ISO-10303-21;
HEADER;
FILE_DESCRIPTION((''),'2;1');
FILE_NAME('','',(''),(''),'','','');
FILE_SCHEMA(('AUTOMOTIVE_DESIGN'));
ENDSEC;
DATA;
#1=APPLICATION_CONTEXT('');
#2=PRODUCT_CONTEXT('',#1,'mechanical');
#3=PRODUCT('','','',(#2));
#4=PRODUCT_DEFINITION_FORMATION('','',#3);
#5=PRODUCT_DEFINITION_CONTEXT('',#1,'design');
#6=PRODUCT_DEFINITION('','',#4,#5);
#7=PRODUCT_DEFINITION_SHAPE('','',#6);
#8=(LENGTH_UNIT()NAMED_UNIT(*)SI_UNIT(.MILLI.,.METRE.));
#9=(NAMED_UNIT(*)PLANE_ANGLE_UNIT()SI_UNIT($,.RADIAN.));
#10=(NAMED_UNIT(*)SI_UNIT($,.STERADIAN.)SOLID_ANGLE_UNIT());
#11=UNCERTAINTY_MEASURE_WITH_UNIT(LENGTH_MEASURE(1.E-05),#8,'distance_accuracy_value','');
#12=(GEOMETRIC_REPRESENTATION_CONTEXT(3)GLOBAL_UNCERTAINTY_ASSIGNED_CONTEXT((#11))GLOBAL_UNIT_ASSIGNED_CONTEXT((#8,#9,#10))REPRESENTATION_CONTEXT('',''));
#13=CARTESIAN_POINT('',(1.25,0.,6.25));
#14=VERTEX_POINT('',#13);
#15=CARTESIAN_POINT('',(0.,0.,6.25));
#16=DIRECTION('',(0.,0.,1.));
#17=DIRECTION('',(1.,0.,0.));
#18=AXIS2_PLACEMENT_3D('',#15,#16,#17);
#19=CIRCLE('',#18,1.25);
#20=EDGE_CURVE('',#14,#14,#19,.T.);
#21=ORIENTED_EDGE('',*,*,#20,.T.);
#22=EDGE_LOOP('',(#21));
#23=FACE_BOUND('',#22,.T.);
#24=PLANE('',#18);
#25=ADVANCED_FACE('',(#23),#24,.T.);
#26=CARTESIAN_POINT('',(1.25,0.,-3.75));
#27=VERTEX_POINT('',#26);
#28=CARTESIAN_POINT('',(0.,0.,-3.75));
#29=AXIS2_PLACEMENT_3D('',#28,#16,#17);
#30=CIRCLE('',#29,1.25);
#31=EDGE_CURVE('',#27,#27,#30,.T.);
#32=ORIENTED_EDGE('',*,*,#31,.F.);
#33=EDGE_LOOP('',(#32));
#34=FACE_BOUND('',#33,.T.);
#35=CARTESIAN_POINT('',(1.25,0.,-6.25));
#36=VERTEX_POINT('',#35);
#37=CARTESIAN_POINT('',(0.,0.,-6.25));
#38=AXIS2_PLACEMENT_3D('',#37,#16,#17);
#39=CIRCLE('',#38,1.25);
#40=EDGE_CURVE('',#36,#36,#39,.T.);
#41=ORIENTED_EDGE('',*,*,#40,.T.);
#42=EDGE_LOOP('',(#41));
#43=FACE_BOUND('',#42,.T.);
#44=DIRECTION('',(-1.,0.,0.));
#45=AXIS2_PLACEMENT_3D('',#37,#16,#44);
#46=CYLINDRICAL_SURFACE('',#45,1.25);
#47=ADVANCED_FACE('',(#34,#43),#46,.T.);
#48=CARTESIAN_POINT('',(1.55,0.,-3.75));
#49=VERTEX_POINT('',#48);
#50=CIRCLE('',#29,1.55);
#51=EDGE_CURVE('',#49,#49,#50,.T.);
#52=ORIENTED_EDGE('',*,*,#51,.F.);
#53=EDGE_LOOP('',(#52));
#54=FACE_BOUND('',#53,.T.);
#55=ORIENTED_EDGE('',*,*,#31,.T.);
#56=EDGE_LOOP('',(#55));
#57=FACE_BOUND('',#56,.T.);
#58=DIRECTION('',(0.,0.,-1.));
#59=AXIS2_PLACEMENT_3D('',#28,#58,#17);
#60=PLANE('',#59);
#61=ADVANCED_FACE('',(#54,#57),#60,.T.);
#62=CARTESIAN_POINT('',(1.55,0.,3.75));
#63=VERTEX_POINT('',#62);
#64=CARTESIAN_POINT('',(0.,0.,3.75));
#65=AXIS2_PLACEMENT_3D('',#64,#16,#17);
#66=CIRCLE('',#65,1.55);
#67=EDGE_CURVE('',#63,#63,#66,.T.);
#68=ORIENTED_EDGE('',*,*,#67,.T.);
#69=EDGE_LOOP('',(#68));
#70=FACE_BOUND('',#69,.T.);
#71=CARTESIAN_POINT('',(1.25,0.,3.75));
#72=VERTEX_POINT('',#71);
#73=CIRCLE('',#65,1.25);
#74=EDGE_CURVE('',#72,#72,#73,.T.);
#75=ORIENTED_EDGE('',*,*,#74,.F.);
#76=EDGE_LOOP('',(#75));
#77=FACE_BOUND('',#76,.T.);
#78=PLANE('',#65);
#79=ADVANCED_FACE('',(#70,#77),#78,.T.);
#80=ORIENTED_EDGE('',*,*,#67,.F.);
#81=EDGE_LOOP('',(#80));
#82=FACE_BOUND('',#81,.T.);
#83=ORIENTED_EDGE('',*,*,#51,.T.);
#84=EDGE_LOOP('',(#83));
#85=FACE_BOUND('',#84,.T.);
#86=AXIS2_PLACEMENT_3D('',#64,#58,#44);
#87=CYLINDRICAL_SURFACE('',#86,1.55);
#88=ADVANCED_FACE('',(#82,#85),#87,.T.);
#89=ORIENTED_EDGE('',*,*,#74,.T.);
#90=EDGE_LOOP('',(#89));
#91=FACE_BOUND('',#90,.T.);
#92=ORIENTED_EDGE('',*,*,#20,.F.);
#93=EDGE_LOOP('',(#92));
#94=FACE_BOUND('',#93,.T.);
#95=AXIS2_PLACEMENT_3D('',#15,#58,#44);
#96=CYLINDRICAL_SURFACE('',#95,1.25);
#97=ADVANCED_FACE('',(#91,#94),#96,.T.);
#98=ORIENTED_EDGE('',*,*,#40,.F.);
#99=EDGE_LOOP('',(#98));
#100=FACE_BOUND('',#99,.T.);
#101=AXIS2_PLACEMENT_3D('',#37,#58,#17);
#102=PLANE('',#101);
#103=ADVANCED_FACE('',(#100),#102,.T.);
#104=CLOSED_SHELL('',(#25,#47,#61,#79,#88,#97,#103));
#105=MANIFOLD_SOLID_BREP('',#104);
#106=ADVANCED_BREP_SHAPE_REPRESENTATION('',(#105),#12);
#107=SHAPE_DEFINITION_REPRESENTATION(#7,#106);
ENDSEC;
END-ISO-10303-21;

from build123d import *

# Parameters (mm, degrees)
SKETCH2_R           = 1.55
BOSS_EXTRUDE2_DEPTH = 3.75
SKETCH4_R           = 1.25
BOSS_EXTRUDE3_DEPTH = 2.5


with BuildPart() as part:
    # Sketch2 → Boss-Extrude2 (new body)
    with BuildSketch(Plane.XY):
        Circle(SKETCH2_R)
    boss_extrude2 = extrude(amount=BOSS_EXTRUDE2_DEPTH)

    # Sketch4 → Boss-Extrude3 (add)
    with BuildSketch(Plane.XY.offset(3.75)):
        Circle(SKETCH4_R)
    boss_extrude3 = extrude(amount=BOSS_EXTRUDE3_DEPTH)

    # Mirror3: Boss-Extrude2, Boss-Extrude3 across plane
    add(boss_extrude2.mirror(Plane.XY))
    add(boss_extrude3.mirror(Plane.XY))


solid = part.part
